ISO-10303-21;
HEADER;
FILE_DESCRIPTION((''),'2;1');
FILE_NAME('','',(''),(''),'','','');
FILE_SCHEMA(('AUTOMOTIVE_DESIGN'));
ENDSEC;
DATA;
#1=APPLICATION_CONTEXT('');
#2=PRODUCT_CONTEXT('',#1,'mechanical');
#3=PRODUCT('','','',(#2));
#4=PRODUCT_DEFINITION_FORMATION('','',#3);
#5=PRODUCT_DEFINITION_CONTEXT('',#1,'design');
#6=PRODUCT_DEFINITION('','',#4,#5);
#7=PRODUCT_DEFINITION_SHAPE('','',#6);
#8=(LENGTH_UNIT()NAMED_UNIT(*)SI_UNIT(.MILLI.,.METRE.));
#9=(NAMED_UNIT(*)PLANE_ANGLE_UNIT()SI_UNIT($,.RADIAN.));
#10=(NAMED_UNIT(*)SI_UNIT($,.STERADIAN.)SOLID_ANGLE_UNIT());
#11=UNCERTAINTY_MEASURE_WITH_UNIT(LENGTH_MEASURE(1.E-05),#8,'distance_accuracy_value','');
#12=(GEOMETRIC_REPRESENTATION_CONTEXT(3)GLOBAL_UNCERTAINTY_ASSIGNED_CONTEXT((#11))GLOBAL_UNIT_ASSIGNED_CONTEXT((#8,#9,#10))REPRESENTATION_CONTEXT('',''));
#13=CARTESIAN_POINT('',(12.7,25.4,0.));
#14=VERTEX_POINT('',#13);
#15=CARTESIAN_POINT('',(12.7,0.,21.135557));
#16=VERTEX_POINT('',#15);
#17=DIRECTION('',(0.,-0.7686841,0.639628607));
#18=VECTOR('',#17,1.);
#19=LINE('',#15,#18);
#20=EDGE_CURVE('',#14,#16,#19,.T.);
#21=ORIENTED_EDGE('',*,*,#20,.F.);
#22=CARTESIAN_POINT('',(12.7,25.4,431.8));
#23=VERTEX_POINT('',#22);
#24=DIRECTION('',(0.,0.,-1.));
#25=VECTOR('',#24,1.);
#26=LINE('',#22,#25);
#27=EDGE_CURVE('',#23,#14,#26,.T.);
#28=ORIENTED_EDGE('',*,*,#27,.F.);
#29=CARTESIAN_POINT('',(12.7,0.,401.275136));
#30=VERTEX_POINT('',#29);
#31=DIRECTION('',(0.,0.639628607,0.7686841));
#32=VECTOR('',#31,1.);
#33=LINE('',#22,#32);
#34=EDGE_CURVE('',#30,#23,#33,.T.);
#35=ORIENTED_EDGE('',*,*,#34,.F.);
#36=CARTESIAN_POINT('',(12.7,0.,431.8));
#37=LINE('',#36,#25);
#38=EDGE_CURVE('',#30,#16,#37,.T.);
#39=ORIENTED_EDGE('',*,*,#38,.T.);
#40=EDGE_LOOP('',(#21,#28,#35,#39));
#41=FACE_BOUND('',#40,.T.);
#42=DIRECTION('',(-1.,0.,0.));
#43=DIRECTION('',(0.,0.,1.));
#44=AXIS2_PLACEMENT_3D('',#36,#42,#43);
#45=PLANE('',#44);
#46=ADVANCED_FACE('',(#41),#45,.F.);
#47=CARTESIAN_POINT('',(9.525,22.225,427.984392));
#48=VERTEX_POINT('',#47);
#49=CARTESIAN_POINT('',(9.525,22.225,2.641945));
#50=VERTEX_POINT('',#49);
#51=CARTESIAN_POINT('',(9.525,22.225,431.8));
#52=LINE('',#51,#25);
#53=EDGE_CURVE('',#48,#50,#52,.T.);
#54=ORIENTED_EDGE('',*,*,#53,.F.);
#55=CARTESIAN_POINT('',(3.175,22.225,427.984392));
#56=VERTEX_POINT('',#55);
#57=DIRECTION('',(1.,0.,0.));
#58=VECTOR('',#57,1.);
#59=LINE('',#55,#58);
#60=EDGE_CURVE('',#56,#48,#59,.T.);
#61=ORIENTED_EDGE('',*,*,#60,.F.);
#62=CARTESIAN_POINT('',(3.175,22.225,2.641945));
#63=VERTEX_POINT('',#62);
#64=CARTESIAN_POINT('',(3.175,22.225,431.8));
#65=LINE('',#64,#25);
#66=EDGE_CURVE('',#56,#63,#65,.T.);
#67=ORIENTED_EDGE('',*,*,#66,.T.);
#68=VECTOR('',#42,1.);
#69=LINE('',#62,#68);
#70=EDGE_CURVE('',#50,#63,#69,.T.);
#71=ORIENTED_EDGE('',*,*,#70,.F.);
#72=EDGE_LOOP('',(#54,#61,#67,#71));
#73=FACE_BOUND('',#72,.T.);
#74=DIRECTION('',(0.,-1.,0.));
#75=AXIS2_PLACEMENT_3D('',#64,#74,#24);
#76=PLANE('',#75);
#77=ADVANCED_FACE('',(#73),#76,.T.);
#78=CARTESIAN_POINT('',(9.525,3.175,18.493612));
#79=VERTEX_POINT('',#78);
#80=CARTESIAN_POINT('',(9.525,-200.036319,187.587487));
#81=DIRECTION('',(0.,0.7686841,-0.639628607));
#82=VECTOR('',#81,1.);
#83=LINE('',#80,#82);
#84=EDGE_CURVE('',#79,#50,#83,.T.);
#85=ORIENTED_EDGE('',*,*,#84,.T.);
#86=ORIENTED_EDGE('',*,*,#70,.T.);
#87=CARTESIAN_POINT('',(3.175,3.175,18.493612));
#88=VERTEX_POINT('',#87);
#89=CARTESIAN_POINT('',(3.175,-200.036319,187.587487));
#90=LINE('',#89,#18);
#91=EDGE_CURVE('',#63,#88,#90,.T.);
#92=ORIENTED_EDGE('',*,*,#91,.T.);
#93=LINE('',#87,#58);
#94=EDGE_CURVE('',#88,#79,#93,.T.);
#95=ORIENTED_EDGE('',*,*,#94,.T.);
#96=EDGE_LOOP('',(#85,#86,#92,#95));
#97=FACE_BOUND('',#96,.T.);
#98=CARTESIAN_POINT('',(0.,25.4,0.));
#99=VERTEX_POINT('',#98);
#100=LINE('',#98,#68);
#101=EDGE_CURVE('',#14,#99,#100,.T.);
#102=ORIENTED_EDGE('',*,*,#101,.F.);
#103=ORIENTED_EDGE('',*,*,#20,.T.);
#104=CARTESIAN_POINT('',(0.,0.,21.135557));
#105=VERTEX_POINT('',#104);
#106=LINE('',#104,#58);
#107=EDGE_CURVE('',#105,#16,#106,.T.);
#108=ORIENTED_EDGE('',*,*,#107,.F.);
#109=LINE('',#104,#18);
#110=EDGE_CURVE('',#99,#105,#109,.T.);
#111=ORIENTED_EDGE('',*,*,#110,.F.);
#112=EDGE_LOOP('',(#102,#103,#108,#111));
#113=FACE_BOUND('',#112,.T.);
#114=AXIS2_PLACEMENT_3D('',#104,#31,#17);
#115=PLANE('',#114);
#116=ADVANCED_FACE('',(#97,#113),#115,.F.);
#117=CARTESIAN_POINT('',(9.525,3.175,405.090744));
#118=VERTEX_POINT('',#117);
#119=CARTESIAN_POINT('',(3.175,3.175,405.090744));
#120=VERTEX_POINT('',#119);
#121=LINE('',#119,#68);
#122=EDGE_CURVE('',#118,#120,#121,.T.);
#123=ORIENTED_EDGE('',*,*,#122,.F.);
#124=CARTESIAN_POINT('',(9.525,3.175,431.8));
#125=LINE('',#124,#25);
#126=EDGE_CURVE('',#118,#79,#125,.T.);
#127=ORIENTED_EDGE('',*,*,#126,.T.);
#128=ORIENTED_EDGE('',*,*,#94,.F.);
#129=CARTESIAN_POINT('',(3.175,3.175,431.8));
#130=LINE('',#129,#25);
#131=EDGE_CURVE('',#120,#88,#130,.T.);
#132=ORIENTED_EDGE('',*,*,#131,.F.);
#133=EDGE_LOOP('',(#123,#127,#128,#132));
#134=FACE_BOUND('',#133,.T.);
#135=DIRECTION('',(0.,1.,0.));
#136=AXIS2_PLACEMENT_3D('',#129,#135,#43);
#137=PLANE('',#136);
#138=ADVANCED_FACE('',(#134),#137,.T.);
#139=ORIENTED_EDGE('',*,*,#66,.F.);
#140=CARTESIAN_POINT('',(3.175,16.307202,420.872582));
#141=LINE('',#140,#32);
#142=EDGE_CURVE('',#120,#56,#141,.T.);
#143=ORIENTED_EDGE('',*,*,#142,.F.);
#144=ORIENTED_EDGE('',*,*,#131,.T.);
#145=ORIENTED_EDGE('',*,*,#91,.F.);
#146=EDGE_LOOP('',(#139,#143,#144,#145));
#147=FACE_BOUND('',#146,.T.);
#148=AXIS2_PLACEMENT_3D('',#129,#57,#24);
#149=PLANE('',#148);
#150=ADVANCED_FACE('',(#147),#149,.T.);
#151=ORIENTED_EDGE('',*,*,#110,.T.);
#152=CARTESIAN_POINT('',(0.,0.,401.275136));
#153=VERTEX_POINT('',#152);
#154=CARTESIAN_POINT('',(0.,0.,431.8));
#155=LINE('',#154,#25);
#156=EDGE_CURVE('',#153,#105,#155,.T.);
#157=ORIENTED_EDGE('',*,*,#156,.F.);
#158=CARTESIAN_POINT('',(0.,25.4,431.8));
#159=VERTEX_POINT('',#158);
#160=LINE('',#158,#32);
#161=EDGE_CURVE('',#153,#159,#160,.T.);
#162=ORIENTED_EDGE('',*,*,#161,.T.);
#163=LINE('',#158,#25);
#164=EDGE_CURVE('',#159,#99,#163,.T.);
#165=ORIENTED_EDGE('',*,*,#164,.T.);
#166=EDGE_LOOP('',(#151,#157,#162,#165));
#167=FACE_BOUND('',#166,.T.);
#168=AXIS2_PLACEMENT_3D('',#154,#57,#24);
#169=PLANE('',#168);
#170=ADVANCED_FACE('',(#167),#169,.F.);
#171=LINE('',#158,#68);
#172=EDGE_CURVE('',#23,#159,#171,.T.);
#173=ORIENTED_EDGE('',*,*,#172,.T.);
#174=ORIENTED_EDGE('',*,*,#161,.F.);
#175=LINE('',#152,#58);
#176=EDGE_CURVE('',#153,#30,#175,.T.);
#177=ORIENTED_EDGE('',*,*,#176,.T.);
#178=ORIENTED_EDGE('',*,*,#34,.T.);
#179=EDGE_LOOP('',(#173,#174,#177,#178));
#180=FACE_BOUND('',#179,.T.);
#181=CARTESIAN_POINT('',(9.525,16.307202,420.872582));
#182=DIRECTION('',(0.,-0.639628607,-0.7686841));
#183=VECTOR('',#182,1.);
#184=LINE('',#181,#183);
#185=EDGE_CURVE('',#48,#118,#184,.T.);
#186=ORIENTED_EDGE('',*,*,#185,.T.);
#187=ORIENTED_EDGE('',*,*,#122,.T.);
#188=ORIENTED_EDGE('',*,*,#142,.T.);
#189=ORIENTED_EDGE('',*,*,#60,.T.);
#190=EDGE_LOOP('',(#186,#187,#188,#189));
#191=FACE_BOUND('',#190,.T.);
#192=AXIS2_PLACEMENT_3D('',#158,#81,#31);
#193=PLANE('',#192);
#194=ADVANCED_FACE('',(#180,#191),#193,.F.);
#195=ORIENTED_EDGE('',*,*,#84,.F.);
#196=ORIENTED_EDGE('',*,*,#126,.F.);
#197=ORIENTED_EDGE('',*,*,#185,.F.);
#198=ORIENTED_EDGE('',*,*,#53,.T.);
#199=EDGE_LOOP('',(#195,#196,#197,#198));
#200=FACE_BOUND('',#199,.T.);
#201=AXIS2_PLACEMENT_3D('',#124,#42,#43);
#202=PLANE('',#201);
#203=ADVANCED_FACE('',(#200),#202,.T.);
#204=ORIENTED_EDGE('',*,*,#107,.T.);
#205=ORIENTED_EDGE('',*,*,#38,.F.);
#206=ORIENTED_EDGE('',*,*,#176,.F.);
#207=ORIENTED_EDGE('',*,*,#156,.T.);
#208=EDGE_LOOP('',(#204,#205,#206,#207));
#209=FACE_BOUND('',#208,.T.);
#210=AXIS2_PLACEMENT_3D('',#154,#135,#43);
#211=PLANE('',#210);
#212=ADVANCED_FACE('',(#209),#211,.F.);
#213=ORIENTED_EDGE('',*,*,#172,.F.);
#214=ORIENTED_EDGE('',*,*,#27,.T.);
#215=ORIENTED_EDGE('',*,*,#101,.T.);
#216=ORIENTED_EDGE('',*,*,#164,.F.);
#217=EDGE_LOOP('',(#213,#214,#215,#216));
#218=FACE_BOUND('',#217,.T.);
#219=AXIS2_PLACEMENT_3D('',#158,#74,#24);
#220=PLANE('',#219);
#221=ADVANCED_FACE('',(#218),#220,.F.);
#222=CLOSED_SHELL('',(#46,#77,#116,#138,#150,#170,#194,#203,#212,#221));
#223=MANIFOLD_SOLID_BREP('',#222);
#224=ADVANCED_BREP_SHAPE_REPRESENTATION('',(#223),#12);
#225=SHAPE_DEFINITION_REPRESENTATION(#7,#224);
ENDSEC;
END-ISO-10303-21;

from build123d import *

# Parameters (mm, degrees)
SKETCH1_W           = 12.7
SKETCH1_H           = 25.4
SKETCH1_W_2         = 6.35
SKETCH1_H_2         = 19.05
BOSS_EXTRUDE1_DEPTH = 431.8
CUT_EXTRUDE1_DEPTH  = 13.7
CUT_EXTRUDE2_DEPTH  = 13.7


with BuildPart() as part:
    # Sketch1 → Boss-Extrude1 (new body)
    with BuildSketch(Plane.XY):
        with Locations((6.35, 12.7)):
            Rectangle(SKETCH1_W, SKETCH1_H)
        with Locations((6.35, 12.7)):
            Rectangle(SKETCH1_W_2, SKETCH1_H_2, mode=Mode.SUBTRACT)
    extrude(amount=BOSS_EXTRUDE1_DEPTH)

    # Sketch2 → Cut-Extrude1 (cut, through all)
    with BuildSketch(Plane(origin=(12.7, 0, 0), x_dir=(0, 0, -1), z_dir=(1, 0, 0))):
        Polygon((-431.8, 25.4), (-401.275136185, 0), (-431.8, 0), align=None)
    extrude(amount=-CUT_EXTRUDE1_DEPTH, mode=Mode.SUBTRACT)

    # Sketch3 → Cut-Extrude2 (cut, through all)
    with BuildSketch(Plane(origin=(12.7, 0, 0), x_dir=(0, 0, -1), z_dir=(1, 0, 0))):
        Polygon((-21.13555703, 0), (0, 25.4), (0, 0), align=None)
    extrude(amount=-CUT_EXTRUDE2_DEPTH, mode=Mode.SUBTRACT)


solid = part.part
